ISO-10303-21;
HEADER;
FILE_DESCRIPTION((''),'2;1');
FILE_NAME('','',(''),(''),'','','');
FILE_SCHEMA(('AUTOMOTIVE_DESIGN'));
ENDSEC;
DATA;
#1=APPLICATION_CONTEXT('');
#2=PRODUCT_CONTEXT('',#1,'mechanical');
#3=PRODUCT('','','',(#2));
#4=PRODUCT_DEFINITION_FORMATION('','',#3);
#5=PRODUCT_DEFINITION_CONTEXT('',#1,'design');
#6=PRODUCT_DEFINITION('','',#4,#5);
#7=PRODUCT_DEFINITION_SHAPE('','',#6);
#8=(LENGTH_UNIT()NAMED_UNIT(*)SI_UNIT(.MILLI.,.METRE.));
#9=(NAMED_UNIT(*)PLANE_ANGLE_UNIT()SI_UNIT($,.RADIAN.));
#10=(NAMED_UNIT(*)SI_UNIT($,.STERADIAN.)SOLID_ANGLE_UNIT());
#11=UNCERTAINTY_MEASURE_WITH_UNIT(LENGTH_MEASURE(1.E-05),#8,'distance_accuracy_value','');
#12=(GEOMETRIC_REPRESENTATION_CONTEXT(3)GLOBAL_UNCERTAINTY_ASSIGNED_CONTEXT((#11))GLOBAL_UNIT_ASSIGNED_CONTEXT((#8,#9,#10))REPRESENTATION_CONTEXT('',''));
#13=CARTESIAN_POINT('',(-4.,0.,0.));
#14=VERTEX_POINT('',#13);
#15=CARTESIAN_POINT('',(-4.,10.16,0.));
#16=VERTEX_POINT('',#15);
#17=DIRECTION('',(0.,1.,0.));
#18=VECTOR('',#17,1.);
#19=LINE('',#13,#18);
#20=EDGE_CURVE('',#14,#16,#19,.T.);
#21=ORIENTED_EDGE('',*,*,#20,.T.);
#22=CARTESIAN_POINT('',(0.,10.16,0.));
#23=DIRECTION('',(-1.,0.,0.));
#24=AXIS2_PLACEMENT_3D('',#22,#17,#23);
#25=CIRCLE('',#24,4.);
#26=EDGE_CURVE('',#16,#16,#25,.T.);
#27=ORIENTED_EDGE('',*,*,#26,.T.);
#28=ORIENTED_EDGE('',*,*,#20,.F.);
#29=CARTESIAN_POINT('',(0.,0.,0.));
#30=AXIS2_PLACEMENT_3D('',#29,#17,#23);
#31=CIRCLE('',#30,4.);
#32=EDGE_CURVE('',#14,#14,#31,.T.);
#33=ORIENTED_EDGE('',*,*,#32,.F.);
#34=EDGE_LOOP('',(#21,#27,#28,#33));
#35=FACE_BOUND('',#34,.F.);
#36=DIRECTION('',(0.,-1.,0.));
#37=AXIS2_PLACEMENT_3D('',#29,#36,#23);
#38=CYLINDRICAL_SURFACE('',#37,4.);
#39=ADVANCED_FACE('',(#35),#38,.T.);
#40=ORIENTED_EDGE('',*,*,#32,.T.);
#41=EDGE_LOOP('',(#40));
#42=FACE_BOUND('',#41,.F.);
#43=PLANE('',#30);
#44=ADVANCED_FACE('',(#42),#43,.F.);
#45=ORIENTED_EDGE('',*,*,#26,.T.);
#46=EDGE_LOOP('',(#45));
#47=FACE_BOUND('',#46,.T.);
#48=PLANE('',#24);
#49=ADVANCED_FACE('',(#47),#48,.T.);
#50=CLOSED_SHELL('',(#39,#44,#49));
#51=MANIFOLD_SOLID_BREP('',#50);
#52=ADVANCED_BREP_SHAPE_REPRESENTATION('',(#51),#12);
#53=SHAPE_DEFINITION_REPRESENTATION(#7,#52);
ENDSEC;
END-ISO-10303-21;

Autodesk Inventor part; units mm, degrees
ref_plane "YZ Plane" through (0, 0, 0) normal (1, 0, 0) x (0, 1, 0)
ref_plane "XZ Plane" through (0, 0, 0) normal (0, 1, 0) x (-1, 0, 0)
ref_plane "XY Plane" through (0, 0, 0) normal (0, 0, 1) x (1, 0, 0)
sketch "Sketch1" plane through (0, 0, 0) normal (0, 1, 0) x (-1, 0, 0)
  circle A0 centre (0, 0) radius 4
  dimension "d0" = 8
extrude "Extrusion1" add sketch "Sketch1" along normal blind 10.16
properties part number "Cap" material "Aluminum 6061"
